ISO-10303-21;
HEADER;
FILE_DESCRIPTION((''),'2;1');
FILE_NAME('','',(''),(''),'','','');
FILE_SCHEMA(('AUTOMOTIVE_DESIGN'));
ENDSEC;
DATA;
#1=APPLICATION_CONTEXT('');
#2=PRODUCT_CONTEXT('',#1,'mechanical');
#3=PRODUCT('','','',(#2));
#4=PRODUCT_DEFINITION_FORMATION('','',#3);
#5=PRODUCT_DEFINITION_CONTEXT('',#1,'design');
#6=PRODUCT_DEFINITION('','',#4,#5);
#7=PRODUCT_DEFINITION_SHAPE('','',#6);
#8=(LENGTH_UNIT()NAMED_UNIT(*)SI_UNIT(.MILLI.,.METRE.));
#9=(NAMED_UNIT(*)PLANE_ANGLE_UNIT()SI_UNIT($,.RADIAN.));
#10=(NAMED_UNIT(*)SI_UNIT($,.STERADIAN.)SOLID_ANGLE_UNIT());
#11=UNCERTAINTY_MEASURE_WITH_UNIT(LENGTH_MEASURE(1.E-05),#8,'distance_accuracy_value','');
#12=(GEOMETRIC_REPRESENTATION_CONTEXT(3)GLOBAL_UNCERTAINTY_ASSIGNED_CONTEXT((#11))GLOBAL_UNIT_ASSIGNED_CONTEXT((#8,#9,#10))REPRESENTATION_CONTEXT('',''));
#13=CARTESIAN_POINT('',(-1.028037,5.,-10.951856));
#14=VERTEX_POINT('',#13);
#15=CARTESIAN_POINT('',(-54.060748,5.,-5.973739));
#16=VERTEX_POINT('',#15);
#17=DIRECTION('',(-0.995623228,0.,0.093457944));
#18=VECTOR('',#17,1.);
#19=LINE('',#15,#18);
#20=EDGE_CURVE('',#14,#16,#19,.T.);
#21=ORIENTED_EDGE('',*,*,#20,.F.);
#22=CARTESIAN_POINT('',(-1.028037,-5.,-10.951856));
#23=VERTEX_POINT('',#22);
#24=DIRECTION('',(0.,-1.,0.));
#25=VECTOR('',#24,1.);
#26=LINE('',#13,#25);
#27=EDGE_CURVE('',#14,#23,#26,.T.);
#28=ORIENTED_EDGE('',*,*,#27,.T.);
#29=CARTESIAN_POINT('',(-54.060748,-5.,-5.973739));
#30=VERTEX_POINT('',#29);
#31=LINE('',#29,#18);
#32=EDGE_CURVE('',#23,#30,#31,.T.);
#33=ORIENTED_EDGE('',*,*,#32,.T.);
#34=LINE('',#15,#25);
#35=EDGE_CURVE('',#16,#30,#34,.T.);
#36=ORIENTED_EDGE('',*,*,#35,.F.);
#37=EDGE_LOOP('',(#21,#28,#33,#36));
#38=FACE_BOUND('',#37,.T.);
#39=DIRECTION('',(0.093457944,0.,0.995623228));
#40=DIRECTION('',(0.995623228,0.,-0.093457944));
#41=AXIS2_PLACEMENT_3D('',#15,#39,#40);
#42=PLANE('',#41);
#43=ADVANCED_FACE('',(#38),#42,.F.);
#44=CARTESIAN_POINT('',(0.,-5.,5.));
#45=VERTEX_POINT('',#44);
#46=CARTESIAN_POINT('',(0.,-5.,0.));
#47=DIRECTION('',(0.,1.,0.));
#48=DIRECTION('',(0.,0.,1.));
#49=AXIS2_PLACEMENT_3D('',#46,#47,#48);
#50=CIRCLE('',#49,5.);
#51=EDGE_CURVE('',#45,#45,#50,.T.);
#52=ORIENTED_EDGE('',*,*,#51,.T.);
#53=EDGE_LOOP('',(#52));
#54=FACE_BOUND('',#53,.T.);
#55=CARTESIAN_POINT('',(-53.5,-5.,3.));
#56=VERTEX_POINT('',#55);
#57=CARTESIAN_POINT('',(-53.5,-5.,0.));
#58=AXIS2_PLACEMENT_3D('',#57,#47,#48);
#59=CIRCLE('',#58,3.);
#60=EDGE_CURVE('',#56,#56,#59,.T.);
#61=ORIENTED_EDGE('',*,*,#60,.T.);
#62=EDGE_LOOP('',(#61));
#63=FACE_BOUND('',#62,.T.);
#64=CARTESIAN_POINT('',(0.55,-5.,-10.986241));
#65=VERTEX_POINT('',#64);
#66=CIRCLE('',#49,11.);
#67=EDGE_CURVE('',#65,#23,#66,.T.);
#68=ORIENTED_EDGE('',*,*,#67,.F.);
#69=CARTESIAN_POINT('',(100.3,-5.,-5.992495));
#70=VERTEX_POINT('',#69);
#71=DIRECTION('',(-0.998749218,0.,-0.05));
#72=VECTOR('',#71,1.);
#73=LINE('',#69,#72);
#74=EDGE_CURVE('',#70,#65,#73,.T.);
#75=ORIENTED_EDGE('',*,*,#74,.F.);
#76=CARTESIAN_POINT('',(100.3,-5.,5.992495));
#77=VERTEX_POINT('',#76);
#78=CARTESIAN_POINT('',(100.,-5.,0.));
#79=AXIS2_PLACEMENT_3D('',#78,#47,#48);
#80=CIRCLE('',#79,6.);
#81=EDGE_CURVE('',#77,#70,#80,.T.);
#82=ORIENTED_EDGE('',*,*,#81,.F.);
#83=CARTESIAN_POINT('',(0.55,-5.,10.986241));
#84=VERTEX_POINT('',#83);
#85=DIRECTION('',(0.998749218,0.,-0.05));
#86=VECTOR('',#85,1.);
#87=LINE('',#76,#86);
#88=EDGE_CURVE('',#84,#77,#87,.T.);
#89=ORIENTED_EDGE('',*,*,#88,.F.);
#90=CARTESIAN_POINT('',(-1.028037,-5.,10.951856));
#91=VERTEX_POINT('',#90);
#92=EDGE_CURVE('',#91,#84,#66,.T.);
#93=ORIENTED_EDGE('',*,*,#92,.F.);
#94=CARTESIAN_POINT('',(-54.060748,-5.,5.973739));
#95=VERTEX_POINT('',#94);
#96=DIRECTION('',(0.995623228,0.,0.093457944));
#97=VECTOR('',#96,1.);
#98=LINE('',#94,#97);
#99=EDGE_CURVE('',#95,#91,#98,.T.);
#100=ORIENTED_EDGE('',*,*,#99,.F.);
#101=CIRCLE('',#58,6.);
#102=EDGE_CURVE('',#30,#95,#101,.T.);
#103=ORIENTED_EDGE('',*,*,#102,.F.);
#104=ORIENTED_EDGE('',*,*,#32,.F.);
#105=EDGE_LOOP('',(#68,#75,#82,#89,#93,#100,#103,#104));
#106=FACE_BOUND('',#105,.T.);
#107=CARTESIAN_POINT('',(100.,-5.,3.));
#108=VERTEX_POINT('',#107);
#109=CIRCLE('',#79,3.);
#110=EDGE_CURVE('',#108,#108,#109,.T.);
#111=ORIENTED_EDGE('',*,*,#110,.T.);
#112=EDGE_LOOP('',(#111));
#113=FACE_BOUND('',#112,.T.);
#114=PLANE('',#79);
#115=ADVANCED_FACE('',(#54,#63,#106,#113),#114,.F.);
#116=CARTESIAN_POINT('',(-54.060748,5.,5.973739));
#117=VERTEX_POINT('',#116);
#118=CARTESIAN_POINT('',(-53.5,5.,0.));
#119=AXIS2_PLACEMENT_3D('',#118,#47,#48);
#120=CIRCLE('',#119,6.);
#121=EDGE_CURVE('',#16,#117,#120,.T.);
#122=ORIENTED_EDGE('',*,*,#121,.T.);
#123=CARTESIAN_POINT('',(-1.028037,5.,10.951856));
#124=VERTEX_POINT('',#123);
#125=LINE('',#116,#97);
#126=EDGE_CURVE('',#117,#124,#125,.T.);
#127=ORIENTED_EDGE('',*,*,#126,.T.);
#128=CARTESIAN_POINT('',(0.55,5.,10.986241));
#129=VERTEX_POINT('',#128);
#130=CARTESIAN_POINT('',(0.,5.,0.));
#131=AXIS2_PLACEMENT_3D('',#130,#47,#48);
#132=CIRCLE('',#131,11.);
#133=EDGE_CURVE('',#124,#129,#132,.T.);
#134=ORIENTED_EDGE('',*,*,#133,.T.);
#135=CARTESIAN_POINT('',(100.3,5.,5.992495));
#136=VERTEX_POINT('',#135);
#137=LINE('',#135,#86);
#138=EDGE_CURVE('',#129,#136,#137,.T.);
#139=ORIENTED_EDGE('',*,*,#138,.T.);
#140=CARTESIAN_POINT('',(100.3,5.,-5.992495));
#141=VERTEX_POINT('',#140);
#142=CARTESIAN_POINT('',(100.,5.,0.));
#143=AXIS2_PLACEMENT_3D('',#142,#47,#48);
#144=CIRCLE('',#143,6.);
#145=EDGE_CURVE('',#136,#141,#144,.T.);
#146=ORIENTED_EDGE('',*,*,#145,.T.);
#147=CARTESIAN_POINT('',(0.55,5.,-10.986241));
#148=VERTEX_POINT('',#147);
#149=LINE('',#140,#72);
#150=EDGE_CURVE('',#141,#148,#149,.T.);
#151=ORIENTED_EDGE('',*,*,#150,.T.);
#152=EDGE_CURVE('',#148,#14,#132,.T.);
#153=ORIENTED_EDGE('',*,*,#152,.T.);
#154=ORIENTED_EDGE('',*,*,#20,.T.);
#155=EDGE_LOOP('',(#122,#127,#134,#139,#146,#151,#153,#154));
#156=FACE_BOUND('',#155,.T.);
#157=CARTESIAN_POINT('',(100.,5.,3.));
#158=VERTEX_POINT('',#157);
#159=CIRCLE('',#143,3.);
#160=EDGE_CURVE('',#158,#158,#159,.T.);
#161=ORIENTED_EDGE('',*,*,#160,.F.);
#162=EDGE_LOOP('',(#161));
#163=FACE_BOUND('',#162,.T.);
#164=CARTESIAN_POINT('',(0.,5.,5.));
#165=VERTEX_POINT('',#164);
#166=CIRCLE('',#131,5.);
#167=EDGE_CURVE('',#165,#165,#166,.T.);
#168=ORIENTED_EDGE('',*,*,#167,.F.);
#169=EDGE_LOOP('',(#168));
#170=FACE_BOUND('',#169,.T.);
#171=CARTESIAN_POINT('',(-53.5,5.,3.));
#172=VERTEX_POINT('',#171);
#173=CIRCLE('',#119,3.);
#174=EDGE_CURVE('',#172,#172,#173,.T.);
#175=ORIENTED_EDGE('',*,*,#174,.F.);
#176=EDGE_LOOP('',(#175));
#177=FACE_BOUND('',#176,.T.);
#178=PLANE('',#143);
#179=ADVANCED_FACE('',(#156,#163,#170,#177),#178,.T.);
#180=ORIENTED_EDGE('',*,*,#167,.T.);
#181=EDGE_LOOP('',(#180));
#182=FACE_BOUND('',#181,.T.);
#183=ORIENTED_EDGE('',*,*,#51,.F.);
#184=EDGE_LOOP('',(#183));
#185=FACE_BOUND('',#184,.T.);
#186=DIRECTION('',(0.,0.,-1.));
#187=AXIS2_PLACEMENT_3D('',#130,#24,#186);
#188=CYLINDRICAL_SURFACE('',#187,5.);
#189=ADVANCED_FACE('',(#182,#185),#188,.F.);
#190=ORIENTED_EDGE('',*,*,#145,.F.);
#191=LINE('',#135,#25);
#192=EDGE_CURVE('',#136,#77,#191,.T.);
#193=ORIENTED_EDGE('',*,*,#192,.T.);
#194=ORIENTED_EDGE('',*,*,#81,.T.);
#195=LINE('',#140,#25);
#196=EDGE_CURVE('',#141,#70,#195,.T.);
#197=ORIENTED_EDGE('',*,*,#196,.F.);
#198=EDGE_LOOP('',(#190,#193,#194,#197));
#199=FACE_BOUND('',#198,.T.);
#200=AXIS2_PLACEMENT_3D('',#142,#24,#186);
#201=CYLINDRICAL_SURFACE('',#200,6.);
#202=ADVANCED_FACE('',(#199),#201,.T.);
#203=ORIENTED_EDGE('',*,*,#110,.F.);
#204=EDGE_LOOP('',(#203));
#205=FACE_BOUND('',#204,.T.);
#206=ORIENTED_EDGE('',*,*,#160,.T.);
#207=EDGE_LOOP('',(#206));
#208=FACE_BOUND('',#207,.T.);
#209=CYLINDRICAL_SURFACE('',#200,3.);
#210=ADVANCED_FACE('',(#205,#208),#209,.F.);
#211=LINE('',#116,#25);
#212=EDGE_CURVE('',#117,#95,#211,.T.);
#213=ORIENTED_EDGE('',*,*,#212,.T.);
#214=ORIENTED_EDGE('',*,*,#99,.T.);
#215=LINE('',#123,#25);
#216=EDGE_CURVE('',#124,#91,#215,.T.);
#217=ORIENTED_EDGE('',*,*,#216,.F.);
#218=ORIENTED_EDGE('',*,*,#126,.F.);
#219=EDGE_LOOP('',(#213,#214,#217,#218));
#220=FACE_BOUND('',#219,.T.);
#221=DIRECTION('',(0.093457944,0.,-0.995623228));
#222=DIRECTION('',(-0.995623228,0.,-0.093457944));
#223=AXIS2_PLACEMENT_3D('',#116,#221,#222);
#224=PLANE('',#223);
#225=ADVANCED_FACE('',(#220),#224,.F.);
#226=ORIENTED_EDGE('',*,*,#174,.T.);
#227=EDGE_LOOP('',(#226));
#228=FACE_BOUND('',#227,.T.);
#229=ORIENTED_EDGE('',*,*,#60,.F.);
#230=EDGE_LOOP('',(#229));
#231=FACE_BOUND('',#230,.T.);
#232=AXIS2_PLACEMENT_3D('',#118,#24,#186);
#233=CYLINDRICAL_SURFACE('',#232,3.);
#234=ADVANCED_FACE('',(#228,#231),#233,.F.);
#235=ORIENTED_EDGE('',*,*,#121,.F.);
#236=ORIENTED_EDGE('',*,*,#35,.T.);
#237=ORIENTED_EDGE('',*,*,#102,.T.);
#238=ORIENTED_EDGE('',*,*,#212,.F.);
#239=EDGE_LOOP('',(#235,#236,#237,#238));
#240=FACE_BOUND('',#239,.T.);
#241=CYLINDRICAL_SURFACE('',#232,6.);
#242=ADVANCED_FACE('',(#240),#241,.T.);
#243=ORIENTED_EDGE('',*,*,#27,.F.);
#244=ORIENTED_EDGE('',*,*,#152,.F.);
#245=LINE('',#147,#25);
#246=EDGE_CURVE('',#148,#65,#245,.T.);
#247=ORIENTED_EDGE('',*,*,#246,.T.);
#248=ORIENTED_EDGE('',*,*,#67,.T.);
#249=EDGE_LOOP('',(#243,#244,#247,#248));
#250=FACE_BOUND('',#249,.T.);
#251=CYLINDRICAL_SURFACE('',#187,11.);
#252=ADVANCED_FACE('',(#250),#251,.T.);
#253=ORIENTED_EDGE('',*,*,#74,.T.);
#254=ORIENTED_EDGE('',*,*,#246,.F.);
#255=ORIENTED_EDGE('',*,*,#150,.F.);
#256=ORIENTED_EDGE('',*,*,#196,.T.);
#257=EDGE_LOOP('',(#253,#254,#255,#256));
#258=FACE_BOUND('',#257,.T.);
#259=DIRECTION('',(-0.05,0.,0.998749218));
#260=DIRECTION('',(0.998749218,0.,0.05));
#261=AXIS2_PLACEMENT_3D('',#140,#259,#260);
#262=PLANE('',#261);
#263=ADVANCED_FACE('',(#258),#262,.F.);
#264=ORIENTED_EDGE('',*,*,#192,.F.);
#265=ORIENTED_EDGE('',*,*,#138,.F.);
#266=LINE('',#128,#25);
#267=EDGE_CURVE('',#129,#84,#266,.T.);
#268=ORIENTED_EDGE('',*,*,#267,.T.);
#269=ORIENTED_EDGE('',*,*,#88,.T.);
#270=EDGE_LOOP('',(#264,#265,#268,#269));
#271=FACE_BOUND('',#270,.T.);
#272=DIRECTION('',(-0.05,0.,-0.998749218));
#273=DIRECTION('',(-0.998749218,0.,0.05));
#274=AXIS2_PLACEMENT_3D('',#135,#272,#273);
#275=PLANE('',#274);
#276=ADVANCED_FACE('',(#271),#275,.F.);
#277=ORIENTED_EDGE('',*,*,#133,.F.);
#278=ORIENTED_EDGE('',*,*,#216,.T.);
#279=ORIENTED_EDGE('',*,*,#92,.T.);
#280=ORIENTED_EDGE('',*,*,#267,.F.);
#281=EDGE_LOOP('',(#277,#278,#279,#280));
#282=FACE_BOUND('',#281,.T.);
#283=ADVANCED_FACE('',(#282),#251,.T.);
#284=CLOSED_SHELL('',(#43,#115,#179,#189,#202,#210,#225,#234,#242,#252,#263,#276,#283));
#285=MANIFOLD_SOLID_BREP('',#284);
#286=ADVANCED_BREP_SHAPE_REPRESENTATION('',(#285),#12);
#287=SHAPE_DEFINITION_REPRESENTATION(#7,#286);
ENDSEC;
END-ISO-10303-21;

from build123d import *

# Parameters (mm, degrees)
SKETCH_1_R      = 3
SKETCH_1_R_2    = 5
EXTRUDE_1_DEPTH = 5


with BuildPart() as part:
    # 草图1 → 凸台-拉伸1 (new, symmetric)
    with BuildSketch(Plane(origin=(0, 0, 0), x_dir=(1, 0, 0), z_dir=(0, 1, 0))):
        with BuildLine():
            Line((-54.060747664, 5.97373937), (-1.028037383, 10.951855511))
            ThreePointArc((-1.028037383, 10.951855511), (-0.23963625, 10.997389439), (0.55, 10.986241395))
            Line((0.55, 10.986241395), (100.3, 5.992495307))
            ThreePointArc((100.3, 5.992495307), (106, 0), (100.3, -5.992495307))
            Line((100.3, -5.992495307), (0.55, -10.986241395))
            ThreePointArc((0.55, -10.986241395), (-0.23963625, -10.997389439), (-1.028037383, -10.951855511))
            Line((-1.028037383, -10.951855511), (-54.060747664, -5.97373937))
            ThreePointArc((-54.060747664, -5.97373937), (-59.5, 0), (-54.060747664, 5.97373937))
        make_face()
        with Locations(Location((-53.5, 0, 0), (0, 0, 270))):
            Circle(SKETCH_1_R, mode=Mode.SUBTRACT)
        with Locations(Location((100, 0, 0), (0, 0, 270))):
            Circle(SKETCH_1_R, mode=Mode.SUBTRACT)
        with Locations(Location((0, 0, 0), (0, 0, 270))):
            Circle(SKETCH_1_R_2, mode=Mode.SUBTRACT)
    extrude(amount=EXTRUDE_1_DEPTH, both=True)


solid = part.part
